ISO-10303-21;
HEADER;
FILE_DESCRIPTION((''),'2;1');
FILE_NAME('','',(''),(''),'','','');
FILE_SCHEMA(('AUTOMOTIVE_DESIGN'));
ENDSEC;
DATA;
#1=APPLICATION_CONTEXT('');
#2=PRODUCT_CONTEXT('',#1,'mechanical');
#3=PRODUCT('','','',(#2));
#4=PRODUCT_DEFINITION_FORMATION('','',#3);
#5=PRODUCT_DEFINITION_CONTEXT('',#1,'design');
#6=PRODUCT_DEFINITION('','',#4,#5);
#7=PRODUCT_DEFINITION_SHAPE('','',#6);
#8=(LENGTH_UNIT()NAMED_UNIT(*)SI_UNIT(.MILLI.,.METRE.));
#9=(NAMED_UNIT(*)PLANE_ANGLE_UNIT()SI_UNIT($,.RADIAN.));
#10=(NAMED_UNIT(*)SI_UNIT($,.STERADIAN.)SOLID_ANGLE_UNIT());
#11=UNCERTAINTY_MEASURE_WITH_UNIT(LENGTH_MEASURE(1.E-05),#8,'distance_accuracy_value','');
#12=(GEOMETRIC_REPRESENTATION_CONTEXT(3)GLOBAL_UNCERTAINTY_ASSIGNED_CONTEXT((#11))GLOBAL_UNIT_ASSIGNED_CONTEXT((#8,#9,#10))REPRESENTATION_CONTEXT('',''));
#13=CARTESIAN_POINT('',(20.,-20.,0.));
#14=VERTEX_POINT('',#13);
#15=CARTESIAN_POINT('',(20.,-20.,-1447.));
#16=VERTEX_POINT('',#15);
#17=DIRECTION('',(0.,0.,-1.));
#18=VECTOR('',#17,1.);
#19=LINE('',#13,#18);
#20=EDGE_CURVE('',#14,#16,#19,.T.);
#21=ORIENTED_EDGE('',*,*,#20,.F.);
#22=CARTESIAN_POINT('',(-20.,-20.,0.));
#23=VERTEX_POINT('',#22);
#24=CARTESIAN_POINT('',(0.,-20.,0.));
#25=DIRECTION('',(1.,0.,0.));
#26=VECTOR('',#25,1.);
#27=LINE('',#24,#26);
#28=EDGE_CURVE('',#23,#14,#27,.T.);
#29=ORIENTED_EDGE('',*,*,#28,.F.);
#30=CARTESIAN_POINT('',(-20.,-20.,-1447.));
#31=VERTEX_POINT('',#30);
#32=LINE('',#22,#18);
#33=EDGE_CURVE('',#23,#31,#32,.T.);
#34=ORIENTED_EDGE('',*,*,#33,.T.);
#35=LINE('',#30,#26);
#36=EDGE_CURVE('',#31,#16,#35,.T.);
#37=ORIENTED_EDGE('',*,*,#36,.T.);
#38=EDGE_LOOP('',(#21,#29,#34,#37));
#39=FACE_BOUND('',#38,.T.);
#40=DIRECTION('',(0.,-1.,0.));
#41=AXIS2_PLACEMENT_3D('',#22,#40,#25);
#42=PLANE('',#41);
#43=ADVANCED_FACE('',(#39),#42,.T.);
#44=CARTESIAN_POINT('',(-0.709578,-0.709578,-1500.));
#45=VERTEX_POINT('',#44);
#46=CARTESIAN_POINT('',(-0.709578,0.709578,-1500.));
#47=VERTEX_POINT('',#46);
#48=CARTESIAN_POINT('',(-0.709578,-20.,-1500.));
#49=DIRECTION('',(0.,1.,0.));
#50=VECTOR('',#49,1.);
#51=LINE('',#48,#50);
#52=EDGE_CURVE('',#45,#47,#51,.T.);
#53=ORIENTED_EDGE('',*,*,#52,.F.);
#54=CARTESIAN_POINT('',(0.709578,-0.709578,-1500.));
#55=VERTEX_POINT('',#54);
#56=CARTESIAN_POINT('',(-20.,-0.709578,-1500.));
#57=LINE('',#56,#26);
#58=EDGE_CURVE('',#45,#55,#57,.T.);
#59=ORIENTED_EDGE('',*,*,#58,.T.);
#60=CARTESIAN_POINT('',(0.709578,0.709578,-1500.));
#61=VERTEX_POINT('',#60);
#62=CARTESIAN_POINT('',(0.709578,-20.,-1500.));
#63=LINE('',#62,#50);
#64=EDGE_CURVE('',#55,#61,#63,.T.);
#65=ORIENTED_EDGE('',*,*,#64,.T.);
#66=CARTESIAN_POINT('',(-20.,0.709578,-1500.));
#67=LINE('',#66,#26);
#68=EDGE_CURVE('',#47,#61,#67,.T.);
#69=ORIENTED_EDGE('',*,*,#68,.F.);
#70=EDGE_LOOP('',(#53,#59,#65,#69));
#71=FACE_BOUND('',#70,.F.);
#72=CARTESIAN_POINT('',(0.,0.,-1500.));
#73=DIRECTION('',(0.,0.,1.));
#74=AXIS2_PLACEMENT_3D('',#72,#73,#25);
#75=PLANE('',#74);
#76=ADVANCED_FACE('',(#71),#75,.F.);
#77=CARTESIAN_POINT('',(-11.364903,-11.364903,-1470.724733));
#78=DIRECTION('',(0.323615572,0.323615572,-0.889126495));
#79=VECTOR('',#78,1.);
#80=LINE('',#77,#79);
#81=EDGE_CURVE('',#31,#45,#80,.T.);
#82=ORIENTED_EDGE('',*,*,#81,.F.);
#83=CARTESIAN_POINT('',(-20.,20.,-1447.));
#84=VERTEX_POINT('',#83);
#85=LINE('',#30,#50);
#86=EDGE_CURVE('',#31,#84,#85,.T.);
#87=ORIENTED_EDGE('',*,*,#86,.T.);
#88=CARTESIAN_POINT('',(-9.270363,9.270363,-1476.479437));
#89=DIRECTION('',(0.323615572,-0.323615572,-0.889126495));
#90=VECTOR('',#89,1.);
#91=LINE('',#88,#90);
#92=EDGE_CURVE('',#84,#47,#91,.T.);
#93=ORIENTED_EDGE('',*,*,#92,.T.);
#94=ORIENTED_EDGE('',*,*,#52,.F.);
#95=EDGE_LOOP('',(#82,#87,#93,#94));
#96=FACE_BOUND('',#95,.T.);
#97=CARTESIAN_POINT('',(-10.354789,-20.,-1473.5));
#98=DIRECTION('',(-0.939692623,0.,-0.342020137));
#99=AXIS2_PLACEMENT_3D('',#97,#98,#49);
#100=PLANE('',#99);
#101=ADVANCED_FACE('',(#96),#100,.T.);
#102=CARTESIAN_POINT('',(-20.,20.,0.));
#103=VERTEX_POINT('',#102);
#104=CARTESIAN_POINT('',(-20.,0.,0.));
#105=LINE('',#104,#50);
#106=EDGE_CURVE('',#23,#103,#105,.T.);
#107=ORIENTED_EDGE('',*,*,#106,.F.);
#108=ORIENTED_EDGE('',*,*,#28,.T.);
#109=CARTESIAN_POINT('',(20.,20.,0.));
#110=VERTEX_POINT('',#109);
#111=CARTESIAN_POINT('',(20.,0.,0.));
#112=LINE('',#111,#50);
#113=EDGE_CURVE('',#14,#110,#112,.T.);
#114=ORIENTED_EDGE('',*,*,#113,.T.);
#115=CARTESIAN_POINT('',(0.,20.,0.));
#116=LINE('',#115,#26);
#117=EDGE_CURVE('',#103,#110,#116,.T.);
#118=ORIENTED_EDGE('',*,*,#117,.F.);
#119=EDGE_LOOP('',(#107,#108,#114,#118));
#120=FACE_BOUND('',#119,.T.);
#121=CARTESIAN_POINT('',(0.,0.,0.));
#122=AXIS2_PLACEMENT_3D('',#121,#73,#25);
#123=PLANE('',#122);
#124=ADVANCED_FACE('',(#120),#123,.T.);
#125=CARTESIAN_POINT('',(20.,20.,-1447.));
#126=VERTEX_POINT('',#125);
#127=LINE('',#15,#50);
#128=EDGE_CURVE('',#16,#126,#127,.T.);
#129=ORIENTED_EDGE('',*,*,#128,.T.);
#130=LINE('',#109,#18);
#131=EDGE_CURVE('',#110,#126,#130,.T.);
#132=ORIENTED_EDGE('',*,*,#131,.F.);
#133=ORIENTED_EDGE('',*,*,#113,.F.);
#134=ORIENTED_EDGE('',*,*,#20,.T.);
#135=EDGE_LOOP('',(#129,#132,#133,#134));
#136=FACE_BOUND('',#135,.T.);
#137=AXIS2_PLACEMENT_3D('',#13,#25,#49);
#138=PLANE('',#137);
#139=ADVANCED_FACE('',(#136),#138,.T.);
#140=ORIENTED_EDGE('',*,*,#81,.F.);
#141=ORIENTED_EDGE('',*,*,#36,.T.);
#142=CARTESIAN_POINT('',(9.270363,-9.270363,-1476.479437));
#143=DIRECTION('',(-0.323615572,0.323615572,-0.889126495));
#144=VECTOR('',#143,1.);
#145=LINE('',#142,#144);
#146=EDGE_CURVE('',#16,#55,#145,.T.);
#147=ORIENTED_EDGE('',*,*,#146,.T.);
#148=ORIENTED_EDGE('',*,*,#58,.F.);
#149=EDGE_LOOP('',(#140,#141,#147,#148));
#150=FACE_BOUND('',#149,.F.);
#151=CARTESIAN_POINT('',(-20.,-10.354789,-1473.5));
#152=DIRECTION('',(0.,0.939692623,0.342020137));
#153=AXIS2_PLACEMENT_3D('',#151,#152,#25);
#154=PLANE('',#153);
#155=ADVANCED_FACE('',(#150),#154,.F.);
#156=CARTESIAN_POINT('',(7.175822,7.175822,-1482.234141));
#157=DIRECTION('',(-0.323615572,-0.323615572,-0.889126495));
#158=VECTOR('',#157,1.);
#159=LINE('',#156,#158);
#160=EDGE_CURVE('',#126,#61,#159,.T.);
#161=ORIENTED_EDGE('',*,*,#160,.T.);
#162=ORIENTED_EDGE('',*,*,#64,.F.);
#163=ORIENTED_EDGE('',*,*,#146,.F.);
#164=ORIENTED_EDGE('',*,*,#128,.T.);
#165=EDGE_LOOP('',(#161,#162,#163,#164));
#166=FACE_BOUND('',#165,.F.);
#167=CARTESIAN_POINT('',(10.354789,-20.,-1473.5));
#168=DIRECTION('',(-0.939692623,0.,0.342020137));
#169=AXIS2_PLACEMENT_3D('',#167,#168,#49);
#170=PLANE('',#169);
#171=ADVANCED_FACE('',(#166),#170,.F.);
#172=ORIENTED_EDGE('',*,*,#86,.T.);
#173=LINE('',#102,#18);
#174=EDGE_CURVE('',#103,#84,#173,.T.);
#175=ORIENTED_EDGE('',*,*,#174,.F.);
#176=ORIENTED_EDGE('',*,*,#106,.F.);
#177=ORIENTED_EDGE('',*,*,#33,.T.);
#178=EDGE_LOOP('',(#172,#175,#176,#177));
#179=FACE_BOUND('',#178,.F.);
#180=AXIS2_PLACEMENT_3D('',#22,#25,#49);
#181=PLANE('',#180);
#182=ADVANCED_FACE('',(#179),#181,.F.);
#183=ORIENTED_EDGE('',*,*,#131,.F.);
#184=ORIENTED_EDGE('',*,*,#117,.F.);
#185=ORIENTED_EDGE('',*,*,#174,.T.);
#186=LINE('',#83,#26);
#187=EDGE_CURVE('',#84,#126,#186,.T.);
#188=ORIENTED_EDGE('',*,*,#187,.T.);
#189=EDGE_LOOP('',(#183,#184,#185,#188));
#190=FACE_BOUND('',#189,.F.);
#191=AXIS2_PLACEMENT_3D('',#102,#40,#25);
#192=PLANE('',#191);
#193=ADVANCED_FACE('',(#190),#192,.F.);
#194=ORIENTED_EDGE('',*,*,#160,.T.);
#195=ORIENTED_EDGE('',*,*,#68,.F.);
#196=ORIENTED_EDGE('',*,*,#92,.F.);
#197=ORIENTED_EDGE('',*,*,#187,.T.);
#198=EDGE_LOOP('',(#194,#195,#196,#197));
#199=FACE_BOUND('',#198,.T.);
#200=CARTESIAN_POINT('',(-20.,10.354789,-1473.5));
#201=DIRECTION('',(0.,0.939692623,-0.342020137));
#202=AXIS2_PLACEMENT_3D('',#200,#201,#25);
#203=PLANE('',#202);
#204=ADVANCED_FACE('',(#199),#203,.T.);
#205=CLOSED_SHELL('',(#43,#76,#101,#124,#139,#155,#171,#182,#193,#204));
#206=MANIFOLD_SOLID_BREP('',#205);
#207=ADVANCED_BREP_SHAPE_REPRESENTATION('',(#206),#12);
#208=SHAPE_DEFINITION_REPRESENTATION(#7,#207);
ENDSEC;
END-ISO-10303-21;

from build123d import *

# Parameters (mm, degrees)
F0_W     = 40
F0_H     = 40
F1_DEPTH = 1500
F2_SIZE2 = 19.290422
F2_SIZE  = 53


with BuildPart() as f1:
    # F0 (on Top) → F1 (new body)
    with BuildSketch(Plane.XY):
        Rectangle(F0_W, F0_H)
    extrude(amount=-F1_DEPTH)

    # F2
    f2_edges = [f1.edges().sort_by_distance(p)[0] for p in [
        (0, -20, -1500),
        (20, 0, -1500),
        (0, 20, -1500),
        (-20, 0, -1500),
    ]]
    chamfer(f2_edges, length=F2_SIZE, length2=F2_SIZE2)


solid = f1.part
